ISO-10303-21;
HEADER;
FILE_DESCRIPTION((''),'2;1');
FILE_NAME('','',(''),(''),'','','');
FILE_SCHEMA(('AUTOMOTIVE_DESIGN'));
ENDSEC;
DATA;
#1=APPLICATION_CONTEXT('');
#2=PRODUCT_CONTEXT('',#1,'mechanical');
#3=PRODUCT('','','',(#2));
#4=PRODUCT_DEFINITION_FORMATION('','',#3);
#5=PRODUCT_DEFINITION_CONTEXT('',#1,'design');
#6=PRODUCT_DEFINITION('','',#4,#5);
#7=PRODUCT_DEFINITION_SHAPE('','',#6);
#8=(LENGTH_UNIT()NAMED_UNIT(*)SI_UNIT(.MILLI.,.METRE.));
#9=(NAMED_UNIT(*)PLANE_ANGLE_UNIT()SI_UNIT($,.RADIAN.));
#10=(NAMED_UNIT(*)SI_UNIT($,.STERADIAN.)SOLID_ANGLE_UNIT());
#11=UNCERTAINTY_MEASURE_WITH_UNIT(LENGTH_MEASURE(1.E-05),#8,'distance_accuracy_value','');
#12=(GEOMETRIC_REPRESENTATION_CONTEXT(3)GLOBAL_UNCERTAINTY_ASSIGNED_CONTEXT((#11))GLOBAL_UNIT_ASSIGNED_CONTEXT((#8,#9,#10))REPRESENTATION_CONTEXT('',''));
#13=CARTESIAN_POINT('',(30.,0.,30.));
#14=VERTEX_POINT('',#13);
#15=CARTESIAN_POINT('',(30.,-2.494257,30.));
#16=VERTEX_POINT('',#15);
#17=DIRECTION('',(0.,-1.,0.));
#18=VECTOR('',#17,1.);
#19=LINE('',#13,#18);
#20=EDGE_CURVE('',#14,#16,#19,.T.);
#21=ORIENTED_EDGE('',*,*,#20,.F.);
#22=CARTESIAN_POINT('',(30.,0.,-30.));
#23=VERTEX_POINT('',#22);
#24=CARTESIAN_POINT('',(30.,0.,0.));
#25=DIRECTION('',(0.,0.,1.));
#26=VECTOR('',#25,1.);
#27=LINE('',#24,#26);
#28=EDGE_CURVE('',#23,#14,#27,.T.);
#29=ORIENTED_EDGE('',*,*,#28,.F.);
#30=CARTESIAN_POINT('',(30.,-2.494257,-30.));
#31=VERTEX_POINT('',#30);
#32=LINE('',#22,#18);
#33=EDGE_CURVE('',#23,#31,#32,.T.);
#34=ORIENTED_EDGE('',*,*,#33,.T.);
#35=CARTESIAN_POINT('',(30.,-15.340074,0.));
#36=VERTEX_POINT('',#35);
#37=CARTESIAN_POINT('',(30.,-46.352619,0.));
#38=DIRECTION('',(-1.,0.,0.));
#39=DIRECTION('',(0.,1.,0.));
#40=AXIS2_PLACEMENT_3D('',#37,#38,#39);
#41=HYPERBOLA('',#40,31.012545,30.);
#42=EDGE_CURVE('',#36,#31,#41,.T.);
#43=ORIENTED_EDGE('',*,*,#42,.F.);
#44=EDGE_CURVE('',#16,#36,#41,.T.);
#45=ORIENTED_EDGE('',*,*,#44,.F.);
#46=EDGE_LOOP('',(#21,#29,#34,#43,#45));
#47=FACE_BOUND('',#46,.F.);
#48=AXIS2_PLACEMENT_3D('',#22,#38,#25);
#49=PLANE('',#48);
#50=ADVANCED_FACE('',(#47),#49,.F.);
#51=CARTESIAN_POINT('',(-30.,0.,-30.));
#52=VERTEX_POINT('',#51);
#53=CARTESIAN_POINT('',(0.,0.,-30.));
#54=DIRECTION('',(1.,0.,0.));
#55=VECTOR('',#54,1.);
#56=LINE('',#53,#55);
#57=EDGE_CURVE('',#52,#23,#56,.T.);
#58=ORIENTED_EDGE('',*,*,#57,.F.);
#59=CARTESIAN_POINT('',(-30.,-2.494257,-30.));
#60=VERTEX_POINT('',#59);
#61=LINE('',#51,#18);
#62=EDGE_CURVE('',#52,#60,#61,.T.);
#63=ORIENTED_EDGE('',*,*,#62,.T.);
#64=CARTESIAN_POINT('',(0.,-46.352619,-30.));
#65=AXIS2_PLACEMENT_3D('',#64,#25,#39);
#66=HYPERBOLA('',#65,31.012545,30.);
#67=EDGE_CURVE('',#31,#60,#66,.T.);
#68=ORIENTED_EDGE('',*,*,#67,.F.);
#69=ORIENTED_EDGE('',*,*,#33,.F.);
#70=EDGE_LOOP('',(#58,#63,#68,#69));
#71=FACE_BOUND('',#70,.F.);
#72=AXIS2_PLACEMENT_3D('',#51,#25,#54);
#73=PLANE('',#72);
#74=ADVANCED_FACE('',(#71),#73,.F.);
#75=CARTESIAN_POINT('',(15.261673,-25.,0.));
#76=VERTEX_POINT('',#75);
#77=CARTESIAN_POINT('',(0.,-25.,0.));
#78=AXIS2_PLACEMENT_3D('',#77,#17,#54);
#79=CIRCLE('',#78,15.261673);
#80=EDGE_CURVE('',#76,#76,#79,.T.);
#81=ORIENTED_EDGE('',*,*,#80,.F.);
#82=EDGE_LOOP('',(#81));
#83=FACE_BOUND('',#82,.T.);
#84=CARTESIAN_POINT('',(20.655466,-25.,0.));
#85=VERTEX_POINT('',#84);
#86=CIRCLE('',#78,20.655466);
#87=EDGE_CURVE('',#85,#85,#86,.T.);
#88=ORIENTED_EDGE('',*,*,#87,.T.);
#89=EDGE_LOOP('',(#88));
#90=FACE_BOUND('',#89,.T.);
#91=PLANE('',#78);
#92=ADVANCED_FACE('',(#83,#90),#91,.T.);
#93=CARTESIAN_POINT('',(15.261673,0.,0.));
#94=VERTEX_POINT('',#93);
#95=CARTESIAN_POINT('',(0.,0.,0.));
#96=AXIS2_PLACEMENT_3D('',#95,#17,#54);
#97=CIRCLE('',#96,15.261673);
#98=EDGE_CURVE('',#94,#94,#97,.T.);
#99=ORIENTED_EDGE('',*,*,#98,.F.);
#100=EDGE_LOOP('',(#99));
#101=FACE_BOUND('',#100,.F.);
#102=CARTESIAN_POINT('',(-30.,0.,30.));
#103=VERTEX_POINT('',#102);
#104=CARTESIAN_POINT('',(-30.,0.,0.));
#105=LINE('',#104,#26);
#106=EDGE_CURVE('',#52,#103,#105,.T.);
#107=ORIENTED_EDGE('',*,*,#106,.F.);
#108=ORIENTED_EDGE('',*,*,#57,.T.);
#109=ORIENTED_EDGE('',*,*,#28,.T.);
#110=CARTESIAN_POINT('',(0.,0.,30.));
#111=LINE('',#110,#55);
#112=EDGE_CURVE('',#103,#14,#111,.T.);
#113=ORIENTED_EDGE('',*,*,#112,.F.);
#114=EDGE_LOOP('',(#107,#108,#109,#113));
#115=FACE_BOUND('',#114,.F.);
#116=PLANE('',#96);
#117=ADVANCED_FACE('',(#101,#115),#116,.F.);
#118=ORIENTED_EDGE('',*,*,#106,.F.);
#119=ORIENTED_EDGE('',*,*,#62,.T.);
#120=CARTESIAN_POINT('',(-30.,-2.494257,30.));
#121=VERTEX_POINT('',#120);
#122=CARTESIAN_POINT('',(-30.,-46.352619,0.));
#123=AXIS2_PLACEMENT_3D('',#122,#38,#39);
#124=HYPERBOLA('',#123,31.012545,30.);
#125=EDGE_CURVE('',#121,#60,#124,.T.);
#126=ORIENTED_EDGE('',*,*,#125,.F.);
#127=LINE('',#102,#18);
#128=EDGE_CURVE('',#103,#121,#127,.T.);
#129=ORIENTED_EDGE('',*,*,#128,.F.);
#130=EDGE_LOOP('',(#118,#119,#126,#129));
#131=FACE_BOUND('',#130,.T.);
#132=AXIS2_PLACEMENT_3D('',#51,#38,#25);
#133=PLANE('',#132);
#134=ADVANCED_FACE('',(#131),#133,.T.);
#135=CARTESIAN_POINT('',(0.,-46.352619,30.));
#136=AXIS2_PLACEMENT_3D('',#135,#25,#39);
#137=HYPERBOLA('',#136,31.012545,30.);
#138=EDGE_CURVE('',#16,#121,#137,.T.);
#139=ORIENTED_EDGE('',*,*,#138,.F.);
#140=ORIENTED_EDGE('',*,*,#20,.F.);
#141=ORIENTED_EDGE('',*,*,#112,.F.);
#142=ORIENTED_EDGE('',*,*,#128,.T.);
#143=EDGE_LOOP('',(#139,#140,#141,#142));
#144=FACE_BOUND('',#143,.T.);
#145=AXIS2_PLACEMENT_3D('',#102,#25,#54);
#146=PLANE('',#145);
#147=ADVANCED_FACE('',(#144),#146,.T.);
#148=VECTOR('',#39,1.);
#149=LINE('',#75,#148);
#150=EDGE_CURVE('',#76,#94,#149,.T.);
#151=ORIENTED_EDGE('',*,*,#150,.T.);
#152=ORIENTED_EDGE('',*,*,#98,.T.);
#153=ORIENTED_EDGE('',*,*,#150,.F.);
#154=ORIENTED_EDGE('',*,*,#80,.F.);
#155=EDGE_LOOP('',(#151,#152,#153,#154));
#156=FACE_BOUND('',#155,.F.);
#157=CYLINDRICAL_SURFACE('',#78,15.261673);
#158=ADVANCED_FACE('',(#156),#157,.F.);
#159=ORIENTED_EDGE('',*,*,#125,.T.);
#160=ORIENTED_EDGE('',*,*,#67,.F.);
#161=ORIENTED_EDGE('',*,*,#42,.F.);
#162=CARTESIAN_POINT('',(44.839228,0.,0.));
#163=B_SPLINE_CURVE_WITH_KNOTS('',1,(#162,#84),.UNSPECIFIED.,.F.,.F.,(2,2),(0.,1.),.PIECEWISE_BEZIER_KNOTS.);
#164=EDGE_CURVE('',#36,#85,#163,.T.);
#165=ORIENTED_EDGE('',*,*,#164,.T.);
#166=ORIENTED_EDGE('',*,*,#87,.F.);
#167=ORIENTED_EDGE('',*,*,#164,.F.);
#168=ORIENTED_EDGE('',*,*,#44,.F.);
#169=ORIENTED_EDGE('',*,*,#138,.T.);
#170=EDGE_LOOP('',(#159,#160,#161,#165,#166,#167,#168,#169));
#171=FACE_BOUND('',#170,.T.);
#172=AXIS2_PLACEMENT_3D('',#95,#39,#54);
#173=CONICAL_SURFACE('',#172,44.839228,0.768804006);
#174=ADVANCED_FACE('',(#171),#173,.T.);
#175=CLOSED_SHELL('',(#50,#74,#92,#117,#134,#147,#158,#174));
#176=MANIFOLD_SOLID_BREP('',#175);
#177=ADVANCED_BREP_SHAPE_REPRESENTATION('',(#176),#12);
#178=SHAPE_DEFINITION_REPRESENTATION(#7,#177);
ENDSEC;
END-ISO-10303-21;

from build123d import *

# Parameters (mm, degrees)
F0_W     = 60
F0_H     = 60
F1_DEPTH = 25
F2_R     = 44.839228
F3_R     = 20.655466
F5_R     = 15.261673
F6_DEPTH = 30


with BuildPart() as f1:
    # F0 (on Front) → F1 (new body)
    with BuildSketch(Plane.XZ):
        Rectangle(F0_W, F0_H)
    extrude(amount=F1_DEPTH)

    # F2 (on Front) → F4 section 0
    with BuildSketch(Plane.XZ):
        Circle(F2_R)
    # F3 (on face) → F4 section 1
    with BuildSketch(Plane.XZ.offset(25)):
        Circle(F3_R)
    loft(mode=Mode.INTERSECT)

    # F5 (on face) → F6 (cut)
    with BuildSketch(Plane.XZ.offset(25)):
        Circle(F5_R)
    extrude(amount=-F6_DEPTH, mode=Mode.SUBTRACT)


solid = f1.part
